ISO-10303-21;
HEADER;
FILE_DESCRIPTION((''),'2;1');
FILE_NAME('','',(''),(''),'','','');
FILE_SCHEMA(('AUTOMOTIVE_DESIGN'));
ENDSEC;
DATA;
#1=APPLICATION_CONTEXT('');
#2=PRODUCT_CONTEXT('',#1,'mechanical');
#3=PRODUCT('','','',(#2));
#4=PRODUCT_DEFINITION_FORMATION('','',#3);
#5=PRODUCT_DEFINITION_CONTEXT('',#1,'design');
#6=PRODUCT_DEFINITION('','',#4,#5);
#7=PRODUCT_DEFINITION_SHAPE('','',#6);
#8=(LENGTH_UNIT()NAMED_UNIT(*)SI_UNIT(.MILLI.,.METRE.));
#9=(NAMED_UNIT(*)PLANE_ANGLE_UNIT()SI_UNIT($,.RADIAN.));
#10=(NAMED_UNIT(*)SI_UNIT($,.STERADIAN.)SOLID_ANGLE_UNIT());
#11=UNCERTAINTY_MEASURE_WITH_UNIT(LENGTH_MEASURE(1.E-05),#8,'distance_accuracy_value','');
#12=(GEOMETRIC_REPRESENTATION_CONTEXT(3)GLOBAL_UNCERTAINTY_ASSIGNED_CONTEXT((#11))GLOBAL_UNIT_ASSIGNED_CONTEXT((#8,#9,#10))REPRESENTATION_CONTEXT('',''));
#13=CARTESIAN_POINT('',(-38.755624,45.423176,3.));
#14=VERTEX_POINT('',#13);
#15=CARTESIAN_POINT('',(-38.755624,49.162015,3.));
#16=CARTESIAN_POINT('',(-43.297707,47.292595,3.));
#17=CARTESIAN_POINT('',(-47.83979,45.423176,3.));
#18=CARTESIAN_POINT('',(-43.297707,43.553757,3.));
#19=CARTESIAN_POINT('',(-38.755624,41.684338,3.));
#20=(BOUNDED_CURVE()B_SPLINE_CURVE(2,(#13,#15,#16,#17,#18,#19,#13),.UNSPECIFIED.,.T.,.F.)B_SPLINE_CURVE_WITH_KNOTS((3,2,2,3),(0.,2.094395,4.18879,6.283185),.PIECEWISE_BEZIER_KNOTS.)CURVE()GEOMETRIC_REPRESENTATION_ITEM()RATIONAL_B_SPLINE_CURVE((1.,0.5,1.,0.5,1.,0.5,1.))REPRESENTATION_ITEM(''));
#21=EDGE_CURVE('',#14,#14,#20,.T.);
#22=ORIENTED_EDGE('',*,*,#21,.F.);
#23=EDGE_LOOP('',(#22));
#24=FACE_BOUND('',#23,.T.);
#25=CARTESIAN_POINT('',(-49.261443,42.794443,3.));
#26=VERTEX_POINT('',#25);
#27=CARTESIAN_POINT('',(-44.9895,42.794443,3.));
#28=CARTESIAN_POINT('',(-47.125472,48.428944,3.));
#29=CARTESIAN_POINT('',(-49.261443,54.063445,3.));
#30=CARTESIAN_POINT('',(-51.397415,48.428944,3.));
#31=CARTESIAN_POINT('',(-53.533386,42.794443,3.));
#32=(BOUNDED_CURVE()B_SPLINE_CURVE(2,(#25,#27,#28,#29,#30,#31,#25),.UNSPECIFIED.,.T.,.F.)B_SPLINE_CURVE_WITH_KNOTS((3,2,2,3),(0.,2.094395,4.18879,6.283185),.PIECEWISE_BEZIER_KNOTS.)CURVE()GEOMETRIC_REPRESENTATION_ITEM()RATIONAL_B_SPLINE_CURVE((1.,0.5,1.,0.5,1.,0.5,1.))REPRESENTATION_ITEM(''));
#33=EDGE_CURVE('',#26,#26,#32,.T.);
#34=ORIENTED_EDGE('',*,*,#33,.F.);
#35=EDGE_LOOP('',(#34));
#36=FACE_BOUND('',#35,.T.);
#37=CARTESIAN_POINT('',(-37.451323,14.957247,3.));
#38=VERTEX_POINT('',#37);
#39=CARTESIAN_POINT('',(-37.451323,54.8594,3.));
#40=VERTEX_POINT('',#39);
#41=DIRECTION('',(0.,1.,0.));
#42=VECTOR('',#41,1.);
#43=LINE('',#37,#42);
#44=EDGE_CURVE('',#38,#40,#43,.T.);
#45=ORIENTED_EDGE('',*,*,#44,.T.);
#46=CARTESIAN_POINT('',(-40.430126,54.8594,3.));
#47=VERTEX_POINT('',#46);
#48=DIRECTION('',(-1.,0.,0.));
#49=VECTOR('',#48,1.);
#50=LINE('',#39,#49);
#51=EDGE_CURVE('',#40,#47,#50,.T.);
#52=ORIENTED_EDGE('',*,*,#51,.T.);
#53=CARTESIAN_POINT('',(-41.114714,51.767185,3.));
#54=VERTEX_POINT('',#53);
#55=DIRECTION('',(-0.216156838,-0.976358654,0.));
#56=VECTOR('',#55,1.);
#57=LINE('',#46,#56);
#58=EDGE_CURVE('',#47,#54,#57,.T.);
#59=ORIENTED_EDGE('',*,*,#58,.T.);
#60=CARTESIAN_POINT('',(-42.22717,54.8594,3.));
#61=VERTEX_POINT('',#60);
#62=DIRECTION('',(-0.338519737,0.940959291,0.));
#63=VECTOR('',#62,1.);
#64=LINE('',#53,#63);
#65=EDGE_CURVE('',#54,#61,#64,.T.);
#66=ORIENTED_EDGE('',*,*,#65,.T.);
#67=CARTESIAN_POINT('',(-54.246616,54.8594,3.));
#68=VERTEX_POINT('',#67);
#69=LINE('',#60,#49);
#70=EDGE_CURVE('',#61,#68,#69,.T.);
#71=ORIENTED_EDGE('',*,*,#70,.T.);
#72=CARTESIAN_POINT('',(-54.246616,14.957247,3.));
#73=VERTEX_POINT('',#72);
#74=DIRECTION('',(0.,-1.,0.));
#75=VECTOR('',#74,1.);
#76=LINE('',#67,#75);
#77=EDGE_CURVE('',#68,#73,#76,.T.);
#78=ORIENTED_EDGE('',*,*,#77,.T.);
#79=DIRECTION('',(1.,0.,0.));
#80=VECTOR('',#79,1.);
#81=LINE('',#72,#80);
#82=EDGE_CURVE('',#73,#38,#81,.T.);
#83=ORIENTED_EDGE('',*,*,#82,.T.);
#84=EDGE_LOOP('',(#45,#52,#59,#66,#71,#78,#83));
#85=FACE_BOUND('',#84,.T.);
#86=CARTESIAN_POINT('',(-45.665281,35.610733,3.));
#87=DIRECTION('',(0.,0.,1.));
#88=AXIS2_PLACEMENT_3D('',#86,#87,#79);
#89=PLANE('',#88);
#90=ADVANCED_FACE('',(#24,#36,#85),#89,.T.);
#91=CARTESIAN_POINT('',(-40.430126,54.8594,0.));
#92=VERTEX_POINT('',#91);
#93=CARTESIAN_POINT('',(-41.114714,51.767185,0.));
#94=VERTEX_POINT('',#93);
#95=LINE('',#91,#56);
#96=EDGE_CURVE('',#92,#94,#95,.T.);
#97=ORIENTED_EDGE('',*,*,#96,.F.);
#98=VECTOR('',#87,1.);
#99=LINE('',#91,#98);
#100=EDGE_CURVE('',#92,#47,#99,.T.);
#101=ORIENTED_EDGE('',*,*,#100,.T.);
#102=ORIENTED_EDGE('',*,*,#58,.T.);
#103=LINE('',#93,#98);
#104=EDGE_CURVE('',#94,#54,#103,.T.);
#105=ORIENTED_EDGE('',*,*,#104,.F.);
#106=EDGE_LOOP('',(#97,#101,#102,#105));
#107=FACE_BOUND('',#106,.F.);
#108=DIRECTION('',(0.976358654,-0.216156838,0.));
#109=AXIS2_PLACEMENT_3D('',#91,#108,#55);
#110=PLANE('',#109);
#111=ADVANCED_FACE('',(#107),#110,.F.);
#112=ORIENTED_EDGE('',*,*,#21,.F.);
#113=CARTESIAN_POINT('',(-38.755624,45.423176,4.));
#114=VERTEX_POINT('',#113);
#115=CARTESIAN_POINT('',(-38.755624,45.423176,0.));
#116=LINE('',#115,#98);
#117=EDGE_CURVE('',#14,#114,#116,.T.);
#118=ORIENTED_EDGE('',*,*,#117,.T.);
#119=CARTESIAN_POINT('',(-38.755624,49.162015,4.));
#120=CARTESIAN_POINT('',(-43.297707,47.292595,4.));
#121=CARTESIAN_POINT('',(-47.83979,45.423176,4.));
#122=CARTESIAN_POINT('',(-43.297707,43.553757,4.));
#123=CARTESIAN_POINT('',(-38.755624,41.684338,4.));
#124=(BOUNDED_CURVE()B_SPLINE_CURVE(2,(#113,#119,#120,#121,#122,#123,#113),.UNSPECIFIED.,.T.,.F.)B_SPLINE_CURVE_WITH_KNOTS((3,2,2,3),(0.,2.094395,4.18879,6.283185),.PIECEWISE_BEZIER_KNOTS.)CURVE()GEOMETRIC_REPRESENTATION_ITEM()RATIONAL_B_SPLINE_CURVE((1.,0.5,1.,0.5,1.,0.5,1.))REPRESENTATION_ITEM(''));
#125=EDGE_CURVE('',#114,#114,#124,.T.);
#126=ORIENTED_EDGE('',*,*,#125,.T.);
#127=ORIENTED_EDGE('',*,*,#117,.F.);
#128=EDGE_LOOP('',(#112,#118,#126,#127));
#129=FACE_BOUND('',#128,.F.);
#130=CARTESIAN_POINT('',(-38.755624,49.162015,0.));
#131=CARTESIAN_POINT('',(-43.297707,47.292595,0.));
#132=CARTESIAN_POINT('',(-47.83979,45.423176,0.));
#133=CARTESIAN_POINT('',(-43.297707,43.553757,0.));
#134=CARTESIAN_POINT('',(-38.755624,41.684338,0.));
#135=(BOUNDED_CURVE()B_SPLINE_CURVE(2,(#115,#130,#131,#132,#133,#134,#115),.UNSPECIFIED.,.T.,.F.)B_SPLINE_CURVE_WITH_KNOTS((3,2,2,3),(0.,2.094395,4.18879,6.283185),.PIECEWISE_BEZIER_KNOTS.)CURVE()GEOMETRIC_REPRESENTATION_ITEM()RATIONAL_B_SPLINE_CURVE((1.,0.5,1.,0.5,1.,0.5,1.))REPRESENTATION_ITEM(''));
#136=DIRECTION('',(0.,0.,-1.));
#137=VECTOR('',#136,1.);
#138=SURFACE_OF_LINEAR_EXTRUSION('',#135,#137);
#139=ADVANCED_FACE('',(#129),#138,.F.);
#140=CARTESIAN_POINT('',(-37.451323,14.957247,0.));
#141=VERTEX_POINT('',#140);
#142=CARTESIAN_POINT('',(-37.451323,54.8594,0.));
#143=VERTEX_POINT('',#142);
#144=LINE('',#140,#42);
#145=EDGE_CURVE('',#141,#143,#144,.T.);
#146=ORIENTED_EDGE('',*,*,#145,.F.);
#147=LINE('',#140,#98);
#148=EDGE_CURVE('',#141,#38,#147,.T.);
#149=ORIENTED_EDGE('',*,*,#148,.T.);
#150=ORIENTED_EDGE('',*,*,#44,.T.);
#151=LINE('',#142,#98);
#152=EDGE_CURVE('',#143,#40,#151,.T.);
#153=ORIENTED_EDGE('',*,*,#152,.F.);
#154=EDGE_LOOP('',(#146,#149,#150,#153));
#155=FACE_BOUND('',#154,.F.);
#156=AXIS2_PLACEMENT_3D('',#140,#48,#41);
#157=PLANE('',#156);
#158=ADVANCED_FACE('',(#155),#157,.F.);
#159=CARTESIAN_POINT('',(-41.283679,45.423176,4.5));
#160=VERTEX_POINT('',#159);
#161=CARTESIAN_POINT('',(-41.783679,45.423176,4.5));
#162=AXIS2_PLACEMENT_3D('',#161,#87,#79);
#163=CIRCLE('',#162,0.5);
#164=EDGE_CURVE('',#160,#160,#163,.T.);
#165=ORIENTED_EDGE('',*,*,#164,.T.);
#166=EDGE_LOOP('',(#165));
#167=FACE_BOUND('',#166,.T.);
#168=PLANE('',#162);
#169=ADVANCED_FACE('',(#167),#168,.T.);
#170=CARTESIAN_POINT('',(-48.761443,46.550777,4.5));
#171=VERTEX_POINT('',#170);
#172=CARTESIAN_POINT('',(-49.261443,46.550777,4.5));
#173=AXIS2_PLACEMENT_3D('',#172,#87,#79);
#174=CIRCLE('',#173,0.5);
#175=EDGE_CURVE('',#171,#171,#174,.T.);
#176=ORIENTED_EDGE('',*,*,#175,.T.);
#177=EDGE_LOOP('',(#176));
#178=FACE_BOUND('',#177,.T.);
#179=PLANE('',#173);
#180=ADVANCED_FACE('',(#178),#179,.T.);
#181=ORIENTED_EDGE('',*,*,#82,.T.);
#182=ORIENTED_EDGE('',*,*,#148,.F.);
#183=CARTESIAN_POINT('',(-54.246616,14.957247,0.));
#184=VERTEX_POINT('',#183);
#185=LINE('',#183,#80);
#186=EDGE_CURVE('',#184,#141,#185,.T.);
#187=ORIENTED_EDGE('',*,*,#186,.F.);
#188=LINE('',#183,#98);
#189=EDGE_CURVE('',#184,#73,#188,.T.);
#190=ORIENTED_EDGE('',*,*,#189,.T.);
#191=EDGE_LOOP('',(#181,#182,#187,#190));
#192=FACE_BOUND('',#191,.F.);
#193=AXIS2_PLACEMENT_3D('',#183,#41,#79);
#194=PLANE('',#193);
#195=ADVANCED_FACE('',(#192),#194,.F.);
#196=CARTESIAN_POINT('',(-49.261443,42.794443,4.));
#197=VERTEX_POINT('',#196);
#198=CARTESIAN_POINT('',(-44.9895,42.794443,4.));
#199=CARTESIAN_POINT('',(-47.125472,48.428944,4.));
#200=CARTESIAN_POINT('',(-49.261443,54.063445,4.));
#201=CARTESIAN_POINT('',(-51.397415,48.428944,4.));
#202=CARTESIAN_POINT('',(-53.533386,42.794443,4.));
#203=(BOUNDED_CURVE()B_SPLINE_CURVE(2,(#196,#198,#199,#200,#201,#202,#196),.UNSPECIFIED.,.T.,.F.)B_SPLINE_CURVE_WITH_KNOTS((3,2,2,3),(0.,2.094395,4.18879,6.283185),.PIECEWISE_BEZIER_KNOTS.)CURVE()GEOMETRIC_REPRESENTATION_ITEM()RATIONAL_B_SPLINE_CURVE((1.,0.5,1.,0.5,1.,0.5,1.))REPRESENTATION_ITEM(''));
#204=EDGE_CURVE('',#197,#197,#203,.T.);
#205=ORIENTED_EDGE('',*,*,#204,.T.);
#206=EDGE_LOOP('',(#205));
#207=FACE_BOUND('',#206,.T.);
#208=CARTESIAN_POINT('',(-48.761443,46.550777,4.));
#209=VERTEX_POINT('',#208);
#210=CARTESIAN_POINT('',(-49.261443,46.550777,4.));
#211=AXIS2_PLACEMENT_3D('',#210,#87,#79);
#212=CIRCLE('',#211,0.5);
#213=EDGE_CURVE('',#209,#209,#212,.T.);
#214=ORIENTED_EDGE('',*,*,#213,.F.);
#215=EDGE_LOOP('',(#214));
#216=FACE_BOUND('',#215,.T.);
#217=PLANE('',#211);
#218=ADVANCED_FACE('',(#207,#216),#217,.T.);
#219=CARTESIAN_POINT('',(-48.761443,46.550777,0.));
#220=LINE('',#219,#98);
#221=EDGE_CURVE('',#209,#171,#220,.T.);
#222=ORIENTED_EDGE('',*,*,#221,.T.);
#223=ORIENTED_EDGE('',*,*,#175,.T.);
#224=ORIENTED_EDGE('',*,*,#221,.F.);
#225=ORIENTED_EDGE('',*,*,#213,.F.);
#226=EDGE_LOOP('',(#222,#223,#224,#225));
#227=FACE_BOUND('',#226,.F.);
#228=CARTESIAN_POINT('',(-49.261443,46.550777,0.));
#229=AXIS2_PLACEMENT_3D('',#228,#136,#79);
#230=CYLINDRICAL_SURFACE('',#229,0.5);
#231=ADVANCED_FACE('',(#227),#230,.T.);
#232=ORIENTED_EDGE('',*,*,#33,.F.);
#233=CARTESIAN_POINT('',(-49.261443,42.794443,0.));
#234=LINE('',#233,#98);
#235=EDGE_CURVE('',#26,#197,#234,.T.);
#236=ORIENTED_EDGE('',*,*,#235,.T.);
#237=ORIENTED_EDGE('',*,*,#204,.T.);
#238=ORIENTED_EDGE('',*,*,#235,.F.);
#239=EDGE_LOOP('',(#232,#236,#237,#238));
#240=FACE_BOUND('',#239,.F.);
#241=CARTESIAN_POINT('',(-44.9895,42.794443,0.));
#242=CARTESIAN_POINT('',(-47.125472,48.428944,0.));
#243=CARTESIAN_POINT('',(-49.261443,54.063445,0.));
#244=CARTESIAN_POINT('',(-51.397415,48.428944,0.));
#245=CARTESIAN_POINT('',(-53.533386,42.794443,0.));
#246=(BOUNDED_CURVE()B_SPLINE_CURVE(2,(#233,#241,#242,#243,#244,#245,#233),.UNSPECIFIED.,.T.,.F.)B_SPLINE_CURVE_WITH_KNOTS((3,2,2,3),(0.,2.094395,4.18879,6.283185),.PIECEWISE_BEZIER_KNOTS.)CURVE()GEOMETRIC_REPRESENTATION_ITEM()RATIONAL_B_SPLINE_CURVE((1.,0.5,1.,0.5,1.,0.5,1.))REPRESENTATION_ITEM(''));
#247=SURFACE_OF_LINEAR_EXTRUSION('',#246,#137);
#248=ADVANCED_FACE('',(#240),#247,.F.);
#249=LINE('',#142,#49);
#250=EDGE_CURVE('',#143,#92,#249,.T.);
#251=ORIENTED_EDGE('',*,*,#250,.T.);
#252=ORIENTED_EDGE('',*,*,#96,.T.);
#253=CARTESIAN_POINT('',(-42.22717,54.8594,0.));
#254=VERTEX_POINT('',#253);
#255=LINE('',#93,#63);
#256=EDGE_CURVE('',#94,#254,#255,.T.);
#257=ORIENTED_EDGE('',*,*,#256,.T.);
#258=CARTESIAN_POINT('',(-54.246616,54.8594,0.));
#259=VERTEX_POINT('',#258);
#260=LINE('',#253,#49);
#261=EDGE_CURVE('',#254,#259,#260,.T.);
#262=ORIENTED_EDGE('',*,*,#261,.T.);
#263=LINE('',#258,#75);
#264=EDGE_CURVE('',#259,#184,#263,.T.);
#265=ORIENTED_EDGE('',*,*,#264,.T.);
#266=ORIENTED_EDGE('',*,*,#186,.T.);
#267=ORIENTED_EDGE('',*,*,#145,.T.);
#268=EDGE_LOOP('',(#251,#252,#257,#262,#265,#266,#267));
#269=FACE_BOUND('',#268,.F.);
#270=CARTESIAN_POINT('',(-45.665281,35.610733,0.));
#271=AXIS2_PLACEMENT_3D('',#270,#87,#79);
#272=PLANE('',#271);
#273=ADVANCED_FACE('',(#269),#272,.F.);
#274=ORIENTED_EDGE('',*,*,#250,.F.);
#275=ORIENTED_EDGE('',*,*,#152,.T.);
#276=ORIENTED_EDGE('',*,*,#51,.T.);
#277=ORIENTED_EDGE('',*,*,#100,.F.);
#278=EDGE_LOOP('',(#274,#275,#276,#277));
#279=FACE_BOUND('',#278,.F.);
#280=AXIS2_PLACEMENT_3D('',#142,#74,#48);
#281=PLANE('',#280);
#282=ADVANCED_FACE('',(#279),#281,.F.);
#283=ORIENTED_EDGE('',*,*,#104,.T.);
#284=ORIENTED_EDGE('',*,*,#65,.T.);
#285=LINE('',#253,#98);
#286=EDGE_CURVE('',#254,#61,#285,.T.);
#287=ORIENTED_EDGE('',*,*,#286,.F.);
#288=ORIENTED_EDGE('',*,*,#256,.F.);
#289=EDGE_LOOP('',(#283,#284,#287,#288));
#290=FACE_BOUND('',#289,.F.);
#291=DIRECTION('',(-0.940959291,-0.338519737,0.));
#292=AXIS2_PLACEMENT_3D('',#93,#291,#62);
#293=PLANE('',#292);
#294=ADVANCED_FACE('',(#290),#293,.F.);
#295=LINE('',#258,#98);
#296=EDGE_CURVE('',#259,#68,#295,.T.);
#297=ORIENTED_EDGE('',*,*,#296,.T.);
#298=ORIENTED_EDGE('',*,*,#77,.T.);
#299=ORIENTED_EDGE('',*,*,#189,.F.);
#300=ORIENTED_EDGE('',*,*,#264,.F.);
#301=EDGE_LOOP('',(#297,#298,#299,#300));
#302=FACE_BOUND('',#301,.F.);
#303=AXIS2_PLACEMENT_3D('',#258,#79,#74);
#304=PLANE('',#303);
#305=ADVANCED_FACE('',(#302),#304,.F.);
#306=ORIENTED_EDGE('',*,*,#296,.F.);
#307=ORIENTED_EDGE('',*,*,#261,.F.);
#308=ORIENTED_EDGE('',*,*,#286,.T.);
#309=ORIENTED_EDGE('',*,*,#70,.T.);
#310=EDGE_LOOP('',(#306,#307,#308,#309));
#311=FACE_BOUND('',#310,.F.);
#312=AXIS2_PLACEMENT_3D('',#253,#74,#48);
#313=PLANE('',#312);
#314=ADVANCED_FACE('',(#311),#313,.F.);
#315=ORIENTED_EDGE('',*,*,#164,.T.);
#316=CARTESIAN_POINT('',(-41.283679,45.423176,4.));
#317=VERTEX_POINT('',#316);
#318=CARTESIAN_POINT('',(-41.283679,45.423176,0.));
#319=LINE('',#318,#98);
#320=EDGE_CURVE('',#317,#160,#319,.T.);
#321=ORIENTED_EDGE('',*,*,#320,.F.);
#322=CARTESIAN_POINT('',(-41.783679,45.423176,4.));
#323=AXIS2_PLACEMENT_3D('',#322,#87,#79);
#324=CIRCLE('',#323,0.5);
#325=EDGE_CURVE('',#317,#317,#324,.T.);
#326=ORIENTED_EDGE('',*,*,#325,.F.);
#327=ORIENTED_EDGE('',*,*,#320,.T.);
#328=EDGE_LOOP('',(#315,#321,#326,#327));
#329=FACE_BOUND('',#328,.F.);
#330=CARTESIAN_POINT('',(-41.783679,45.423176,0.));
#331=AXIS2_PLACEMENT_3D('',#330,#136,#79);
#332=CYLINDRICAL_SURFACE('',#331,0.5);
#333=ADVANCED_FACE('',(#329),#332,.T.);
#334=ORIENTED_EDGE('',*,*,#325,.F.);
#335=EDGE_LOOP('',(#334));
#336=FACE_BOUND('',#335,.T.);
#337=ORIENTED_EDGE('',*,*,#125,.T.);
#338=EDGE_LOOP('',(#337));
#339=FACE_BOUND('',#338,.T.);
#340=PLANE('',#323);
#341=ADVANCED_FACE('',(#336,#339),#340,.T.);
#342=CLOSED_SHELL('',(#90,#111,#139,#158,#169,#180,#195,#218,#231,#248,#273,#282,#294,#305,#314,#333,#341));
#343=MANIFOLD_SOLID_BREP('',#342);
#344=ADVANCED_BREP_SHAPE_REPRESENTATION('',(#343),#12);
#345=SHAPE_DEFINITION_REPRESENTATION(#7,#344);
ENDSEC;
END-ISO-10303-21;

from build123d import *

# Parameters (mm, degrees)
F1_DEPTH = 3
F0_R     = 0.5
F2_DEPTH = 4
F3_DEPTH = 4.5


with BuildPart() as f1:
    # F0 (on Top) → F1 (new body)
    with BuildSketch(Plane.XY):
        Polygon((-42.22717, 54.8594), (-54.246616, 54.8594), (-54.246616, 14.957247), (-37.451323, 14.957247), (-37.451323, 54.8594), (-40.430126, 54.8594), (-41.114714, 51.767185), align=None)
        with BuildLine():
            add(Edge.make_bspline(
                [(-49.261443, 42.794443), (-44.9895, 42.794443), (-47.125472, 48.428944), (-49.261443, 54.063445), (-51.397415, 48.428944), (-53.533386, 42.794443), (-49.261443, 42.794443)],
                knots=[0, 0, 0, 2.094395, 2.094395, 4.18879, 4.18879, 6.283185, 6.283185, 6.283185], degree=2, weights=[1, 0.5, 1, 0.5, 1, 0.5, 1]))
        make_face(mode=Mode.SUBTRACT)
        with BuildLine():
            add(Edge.make_bspline(
                [(-38.755624, 45.423176), (-38.755624, 49.162015), (-43.297707, 47.292595), (-47.83979, 45.423176), (-43.297707, 43.553757), (-38.755624, 41.684338), (-38.755624, 45.423176)],
                knots=[0, 0, 0, 2.094395, 2.094395, 4.18879, 4.18879, 6.283185, 6.283185, 6.283185], degree=2, weights=[1, 0.5, 1, 0.5, 1, 0.5, 1]))
        make_face(mode=Mode.SUBTRACT)
    extrude(amount=F1_DEPTH)

    # F0 (on Top) → F2 (join)
    with BuildSketch(Plane.XY):
        with BuildLine():
            add(Edge.make_bspline(
                [(-49.261443, 42.794443), (-44.9895, 42.794443), (-47.125472, 48.428944), (-49.261443, 54.063445), (-51.397415, 48.428944), (-53.533386, 42.794443), (-49.261443, 42.794443)],
                knots=[0, 0, 0, 2.094395, 2.094395, 4.18879, 4.18879, 6.283185, 6.283185, 6.283185], degree=2, weights=[1, 0.5, 1, 0.5, 1, 0.5, 1]))
        make_face()
        with Locations((-49.261443, 46.550777)):
            Circle(F0_R, mode=Mode.SUBTRACT)
        with BuildLine():
            add(Edge.make_bspline(
                [(-38.755624, 45.423176), (-38.755624, 49.162015), (-43.297707, 47.292595), (-47.83979, 45.423176), (-43.297707, 43.553757), (-38.755624, 41.684338), (-38.755624, 45.423176)],
                knots=[0, 0, 0, 2.094395, 2.094395, 4.18879, 4.18879, 6.283185, 6.283185, 6.283185], degree=2, weights=[1, 0.5, 1, 0.5, 1, 0.5, 1]))
        make_face()
        with Locations((-41.783679, 45.423176)):
            Circle(F0_R, mode=Mode.SUBTRACT)
    extrude(amount=F2_DEPTH)

    # F0 (on Top) → F3 (join)
    with BuildSketch(Plane.XY):
        with Locations((-49.261443, 46.550777)):
            Circle(F0_R)
        with Locations((-41.783679, 45.423176)):
            Circle(F0_R)
    extrude(amount=F3_DEPTH)


solid = f1.part
